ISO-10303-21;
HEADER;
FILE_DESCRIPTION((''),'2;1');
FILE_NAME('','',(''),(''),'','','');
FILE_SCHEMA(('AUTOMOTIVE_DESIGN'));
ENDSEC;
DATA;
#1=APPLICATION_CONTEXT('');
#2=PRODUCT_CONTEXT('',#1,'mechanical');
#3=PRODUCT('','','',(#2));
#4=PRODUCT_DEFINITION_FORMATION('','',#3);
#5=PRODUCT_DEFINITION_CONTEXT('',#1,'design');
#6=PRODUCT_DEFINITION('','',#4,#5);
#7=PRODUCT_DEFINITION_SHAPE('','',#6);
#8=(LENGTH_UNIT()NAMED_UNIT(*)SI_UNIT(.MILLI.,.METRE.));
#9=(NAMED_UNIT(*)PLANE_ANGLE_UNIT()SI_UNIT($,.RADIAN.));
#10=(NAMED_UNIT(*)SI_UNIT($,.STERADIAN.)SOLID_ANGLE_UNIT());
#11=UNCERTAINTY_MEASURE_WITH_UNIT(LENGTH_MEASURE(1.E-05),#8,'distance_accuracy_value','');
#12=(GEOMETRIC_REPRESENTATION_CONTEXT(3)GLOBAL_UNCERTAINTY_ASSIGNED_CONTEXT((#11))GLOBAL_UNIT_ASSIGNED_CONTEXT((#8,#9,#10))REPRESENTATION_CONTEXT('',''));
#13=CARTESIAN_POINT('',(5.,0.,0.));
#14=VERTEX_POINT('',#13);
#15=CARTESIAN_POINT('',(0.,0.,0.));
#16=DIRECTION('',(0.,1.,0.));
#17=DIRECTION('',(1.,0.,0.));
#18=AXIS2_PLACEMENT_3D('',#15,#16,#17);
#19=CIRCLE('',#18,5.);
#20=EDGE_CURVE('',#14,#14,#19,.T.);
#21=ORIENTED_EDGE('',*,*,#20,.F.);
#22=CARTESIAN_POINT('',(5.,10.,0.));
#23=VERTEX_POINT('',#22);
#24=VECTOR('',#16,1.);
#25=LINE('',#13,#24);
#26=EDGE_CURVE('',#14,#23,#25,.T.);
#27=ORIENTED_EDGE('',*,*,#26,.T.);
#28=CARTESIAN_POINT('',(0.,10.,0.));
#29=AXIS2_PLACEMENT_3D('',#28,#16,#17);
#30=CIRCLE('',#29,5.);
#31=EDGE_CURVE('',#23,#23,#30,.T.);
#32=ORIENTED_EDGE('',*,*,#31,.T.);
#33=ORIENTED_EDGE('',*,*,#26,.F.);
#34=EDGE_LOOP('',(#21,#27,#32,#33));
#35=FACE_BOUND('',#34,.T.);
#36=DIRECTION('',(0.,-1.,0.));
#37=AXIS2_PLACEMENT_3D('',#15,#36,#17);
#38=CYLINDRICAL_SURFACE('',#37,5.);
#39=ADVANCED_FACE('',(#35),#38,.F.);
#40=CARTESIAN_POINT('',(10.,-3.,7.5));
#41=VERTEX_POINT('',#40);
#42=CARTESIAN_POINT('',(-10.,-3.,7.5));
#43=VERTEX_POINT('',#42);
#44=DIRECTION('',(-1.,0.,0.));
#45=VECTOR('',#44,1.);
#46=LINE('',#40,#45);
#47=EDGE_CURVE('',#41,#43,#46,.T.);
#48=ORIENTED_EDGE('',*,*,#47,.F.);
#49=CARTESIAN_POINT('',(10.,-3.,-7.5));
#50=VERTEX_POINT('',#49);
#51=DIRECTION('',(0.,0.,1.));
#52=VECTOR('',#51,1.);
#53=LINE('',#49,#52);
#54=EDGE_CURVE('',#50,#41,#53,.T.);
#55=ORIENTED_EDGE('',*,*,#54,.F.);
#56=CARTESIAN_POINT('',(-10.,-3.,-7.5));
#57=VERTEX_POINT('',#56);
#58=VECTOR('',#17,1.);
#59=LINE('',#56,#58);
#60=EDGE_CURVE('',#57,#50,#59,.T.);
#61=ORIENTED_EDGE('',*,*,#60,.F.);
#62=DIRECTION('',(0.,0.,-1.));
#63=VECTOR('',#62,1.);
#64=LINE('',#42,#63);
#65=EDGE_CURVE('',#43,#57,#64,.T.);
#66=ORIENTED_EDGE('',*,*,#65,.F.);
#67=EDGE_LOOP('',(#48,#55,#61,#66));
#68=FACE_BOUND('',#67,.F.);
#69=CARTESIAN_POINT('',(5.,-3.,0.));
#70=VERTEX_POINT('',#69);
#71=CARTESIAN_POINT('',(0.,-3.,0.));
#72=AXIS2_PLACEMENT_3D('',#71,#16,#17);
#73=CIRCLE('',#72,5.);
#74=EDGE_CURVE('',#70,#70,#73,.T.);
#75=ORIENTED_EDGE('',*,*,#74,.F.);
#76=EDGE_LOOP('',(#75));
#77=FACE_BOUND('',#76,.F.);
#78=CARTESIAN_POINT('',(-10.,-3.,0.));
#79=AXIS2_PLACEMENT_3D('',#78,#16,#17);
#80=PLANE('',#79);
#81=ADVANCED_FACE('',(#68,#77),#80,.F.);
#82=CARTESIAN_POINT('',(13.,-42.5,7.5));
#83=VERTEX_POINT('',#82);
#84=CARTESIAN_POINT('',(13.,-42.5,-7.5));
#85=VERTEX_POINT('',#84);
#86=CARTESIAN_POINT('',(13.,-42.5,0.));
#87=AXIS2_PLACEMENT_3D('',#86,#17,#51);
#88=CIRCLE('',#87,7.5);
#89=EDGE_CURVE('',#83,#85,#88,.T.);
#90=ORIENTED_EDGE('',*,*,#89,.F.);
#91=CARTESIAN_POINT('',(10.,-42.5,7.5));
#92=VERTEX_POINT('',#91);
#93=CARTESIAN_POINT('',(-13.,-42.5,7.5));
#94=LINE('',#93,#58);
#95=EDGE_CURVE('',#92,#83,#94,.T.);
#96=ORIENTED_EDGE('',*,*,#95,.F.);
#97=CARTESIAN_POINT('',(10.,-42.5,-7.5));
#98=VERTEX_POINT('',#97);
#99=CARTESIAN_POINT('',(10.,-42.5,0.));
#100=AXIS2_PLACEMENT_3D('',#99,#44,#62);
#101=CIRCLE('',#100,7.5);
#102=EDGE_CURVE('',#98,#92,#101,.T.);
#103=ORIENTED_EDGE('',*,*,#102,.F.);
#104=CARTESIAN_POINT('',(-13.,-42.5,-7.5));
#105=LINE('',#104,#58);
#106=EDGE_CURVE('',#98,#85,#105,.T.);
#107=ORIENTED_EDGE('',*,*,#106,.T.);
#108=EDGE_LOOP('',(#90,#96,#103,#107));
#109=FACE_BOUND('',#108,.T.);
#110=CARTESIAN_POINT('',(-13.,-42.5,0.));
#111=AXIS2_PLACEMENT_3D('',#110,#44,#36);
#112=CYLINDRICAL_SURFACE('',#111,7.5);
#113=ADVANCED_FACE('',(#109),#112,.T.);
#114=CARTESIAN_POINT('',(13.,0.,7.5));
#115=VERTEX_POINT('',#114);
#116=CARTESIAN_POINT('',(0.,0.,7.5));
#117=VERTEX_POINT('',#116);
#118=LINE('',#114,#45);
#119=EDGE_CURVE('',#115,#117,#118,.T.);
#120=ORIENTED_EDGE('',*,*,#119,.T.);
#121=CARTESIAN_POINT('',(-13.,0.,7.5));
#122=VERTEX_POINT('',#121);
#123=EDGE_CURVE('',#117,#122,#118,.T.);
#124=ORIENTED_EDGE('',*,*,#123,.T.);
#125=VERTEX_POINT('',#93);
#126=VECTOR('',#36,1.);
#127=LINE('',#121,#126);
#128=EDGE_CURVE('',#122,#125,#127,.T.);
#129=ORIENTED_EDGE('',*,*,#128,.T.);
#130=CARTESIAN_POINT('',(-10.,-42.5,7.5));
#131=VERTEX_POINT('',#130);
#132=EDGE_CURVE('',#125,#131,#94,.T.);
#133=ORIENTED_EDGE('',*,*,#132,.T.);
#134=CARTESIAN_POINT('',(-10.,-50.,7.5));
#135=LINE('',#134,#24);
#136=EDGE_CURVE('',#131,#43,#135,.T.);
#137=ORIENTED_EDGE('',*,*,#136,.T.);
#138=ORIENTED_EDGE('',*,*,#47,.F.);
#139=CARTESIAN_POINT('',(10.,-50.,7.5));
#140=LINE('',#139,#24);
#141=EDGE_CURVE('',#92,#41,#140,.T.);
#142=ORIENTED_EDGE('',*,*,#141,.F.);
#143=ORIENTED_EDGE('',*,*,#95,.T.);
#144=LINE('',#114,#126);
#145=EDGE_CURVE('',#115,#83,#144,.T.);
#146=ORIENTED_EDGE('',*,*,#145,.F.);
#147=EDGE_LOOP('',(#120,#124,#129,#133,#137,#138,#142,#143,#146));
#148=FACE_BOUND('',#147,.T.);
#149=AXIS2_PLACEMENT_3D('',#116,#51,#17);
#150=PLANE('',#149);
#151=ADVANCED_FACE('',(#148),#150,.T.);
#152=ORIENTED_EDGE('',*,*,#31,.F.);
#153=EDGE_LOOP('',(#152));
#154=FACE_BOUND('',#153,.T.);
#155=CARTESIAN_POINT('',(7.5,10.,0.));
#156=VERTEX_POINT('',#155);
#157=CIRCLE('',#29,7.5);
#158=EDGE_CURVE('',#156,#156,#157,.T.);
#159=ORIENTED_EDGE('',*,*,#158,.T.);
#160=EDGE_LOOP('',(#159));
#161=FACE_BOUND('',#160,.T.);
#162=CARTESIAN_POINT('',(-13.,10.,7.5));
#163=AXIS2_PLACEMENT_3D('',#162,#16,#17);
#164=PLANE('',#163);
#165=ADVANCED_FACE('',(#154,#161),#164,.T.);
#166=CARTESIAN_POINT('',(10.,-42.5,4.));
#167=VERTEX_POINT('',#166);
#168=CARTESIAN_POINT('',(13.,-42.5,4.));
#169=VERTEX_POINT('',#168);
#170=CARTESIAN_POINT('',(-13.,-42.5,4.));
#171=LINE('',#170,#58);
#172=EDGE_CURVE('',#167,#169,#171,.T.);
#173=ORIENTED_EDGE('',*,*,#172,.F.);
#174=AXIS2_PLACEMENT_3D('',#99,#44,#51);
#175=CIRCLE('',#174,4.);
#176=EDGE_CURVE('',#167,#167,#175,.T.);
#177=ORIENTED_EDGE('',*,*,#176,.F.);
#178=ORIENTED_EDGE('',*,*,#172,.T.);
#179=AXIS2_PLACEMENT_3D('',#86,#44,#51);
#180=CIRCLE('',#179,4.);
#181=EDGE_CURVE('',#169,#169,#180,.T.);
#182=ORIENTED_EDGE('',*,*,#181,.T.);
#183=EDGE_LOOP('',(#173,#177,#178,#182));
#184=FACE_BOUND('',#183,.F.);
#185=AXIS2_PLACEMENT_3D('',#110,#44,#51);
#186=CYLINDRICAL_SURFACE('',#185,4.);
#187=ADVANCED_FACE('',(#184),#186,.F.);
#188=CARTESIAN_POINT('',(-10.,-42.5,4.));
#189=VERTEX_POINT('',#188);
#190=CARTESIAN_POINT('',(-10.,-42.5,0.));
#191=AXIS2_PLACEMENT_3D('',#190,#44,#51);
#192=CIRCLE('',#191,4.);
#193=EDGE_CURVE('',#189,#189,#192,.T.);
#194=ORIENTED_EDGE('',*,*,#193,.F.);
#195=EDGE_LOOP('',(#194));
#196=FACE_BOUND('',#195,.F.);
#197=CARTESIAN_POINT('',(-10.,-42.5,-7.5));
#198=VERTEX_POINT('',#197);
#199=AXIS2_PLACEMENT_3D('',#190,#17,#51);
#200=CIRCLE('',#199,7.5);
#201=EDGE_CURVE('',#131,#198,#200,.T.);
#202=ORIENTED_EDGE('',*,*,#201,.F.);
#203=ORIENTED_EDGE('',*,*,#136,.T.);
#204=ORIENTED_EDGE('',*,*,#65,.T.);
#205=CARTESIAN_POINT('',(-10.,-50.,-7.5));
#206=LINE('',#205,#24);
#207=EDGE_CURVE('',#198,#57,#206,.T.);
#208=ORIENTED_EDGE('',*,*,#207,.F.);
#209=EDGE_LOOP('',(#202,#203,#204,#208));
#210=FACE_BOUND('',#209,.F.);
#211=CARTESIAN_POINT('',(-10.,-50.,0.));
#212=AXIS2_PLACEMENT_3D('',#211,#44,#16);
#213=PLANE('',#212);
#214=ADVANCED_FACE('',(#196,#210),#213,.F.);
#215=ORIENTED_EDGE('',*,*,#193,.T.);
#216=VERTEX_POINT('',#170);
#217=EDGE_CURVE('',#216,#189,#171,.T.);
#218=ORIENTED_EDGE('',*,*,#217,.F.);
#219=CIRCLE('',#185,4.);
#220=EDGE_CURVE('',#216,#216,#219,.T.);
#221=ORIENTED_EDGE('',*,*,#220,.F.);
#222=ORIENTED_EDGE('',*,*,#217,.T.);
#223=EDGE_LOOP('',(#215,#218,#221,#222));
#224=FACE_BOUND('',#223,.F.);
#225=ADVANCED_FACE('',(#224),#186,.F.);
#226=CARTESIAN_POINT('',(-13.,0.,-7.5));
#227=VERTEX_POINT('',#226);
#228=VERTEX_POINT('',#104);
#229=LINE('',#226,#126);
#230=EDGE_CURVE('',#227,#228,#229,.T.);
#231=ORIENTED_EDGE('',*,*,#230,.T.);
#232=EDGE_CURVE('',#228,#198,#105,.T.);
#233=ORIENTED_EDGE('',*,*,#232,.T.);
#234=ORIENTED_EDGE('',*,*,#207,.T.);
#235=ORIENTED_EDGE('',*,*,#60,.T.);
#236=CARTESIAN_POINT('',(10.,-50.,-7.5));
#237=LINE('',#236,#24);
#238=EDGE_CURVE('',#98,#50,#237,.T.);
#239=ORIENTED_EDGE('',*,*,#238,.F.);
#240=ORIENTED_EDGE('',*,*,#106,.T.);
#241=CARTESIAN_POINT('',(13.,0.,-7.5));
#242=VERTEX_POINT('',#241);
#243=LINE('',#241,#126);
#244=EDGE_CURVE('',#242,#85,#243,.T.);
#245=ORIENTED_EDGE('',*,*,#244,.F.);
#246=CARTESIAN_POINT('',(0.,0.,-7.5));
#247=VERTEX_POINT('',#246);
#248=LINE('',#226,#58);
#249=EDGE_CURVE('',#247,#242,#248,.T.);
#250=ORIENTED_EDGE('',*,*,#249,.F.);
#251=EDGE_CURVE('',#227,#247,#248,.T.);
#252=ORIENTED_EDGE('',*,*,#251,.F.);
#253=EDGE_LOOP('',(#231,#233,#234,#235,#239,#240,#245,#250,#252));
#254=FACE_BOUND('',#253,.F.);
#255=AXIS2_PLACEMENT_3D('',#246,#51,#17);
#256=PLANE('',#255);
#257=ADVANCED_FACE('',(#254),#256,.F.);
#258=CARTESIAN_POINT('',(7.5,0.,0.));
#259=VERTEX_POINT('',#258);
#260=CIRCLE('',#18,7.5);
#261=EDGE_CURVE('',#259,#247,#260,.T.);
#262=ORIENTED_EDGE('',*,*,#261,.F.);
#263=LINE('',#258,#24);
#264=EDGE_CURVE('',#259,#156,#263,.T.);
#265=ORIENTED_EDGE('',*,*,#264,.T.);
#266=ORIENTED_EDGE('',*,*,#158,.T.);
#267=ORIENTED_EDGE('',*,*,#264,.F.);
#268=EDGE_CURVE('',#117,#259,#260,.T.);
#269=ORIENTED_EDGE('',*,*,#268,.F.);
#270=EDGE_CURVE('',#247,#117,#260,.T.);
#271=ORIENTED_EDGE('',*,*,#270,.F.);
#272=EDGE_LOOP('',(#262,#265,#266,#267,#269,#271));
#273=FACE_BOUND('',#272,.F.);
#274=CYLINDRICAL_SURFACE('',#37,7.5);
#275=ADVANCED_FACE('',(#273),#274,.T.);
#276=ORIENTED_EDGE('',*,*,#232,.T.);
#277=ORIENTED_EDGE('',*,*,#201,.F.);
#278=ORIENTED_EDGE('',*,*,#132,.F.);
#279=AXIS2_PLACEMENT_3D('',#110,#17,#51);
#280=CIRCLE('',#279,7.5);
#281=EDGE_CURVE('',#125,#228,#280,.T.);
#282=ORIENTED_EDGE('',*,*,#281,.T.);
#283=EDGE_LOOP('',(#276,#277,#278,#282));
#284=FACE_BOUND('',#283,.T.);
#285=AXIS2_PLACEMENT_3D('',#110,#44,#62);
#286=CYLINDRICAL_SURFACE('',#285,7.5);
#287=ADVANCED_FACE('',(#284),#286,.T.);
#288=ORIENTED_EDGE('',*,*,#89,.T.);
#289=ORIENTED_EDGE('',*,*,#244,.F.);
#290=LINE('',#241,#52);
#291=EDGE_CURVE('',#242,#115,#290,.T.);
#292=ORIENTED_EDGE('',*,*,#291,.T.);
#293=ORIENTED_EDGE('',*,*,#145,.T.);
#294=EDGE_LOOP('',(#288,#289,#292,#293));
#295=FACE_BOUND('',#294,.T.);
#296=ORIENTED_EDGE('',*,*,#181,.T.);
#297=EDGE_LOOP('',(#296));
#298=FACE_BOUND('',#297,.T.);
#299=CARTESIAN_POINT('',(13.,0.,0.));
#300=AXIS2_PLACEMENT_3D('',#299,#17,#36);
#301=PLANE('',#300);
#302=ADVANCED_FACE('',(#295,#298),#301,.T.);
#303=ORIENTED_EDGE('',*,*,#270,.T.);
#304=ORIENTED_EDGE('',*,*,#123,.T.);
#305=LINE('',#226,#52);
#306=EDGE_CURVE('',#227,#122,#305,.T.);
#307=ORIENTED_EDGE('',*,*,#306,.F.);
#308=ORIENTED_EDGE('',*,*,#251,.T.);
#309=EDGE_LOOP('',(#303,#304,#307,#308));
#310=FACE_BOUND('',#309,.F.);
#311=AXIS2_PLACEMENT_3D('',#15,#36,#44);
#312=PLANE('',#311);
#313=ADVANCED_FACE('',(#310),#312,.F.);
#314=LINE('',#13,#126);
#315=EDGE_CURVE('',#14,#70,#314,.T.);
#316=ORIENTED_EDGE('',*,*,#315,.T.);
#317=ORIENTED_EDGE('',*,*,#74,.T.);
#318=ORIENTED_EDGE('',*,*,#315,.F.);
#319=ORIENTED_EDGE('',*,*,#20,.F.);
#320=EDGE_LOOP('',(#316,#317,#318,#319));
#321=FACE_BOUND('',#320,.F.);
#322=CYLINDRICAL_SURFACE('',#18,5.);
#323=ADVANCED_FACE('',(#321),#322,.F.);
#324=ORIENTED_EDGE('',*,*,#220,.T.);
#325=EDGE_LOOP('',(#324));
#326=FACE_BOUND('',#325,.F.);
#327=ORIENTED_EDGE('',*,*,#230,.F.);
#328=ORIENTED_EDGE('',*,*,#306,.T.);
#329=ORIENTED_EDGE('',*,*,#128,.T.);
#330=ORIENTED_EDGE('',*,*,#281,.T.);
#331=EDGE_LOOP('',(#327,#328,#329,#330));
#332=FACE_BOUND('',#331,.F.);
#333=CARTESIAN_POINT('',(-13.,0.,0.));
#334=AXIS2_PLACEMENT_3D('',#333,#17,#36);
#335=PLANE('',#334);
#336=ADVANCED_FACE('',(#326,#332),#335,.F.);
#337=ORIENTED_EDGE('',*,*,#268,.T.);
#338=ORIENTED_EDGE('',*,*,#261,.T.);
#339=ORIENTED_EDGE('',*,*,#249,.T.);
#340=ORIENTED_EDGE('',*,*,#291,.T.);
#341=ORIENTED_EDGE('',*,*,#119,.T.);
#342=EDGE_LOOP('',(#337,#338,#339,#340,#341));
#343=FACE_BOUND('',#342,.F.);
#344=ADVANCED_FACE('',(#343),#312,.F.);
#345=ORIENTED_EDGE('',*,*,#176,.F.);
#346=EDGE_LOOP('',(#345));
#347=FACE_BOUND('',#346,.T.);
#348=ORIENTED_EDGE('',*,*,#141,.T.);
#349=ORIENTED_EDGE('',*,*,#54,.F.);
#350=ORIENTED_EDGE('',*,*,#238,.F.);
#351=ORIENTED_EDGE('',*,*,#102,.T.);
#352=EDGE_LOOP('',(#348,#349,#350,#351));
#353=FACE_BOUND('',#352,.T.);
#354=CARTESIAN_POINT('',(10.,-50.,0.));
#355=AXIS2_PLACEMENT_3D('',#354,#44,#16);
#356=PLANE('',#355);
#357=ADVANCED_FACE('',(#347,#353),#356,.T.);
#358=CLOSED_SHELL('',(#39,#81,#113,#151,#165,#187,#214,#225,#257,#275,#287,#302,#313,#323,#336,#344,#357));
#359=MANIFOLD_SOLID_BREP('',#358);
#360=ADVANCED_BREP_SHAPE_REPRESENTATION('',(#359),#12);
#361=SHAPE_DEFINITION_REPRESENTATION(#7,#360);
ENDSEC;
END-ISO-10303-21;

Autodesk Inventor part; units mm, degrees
ref_plane "YZ Plane" through (0, 0, 0) normal (1, 0, 0) x (0, 1, 0)
ref_plane "XZ Plane" through (0, 0, 0) normal (0, 1, 0) x (-1, 0, 0)
ref_plane "XY Plane" through (0, 0, 0) normal (0, 0, 1) x (1, 0, 0)
sketch "Skizze1" plane through (0, 0, 0) normal (0, 0, 1) x (1, 0, 0)
  line L0 (0, 0) -> (-13, 0)
  line L1 (-13, 0) -> (-13, -50)
  line L2 (-13, -50) -> (-10, -50)
  line L3 (-10, -50) -> (-10, -3)
  line L4 (-10, -3) -> (0, -3)
  line L5 (0, -3) -> (0, 0)
  line L6 (-13, 0) -> (0, 0)
  line L7 (0, 10) -> (0, -60) projected
  line L8 (0, 0) -> (13, 0)
  line L9 (13, 0) -> (13, -50)
  line L10 (13, -50) -> (10, -50)
  line L11 (10, -50) -> (10, -3)
  line L12 (10, -3) -> (0, -3)
  line L13 (13, 0) -> (0, 0)
  dimension "d0" = 13
  dimension "d1" = 50
  dimension "d2" = 3
  dimension "d3" = 47
extrude "Extrusion1" add sketch "Skizze1" along normal mid plane 15
sketch "Skizze2" plane through (-13, -50, 7.5) normal (-1, 0, 0) x (0, 0, 1)
  line L0 (-15, 0) -> (-15, 50) projected
  line L1 (-15, 0) -> (0, 0) projected
  line L2 (-15, 50) -> (0, 50)
  line L3 (0, 50) -> (0, 7.5)
  line L4 (-7.5, 0) -> (-7.5, 0)
  line L5 (-15, 7.5) -> (-15, 50)
  arc A0 (-15, 7.5) -> (-7.5, 0) centre (-7.5, 7.5) ccw
  arc A1 (-7.5, 0) -> (0, 7.5) centre (-7.5, 7.5) ccw
  circle A2 centre (-7.5, 7.5) radius 4
  line L6 (-15, 50) -> (0, 50)
  line L7 (0, 50) -> (0, 0)
  line L8 (0, 0) -> (-15, 0)
  line L9 (-15, 0) -> (-15, 50)
  point P0 (-7.5, 50)
  point P1 (0, 7.5)
  point P2 (-7.5, 0)
  point P3 (-7.5, 0)
  point P4 (-7.5, 0)
  point P5 (-15, 7.5)
  dimension "d6" = 7.5
  dimension "d7" = 8
extrude "Extrusion2" cut sketch "Skizze2" against normal through all contours L0 A0 L1 | A1 L7 L1 | A2
sketch "Skizze3" plane through (-13, 0, 7.5) normal (0, 1, 0) x (1, 0, 0)
  circle A0 centre (13, 7.5) radius 5
  dimension "d10" = 10
extrude "Extrusion3" cut sketch "Skizze3" against normal through all
sketch "Skizze4" plane through (-13, 0, 7.5) normal (0, 1, 0) x (1, 0, 0)
  circle A0 centre (13, 7.5) radius 5 projected
  circle A1 centre (13, 7.5) radius 5
  circle A2 centre (13, 7.5) radius 7.5
  dimension "d13" = 2.5
extrude "Extrusion4" add sketch "Skizze4" along normal blind 10
thread "Gewinde1" size "M10x1.5" class "6H" standard "ANSI Metric M Profile" full length
properties part number "ustück" material "Stahl"
